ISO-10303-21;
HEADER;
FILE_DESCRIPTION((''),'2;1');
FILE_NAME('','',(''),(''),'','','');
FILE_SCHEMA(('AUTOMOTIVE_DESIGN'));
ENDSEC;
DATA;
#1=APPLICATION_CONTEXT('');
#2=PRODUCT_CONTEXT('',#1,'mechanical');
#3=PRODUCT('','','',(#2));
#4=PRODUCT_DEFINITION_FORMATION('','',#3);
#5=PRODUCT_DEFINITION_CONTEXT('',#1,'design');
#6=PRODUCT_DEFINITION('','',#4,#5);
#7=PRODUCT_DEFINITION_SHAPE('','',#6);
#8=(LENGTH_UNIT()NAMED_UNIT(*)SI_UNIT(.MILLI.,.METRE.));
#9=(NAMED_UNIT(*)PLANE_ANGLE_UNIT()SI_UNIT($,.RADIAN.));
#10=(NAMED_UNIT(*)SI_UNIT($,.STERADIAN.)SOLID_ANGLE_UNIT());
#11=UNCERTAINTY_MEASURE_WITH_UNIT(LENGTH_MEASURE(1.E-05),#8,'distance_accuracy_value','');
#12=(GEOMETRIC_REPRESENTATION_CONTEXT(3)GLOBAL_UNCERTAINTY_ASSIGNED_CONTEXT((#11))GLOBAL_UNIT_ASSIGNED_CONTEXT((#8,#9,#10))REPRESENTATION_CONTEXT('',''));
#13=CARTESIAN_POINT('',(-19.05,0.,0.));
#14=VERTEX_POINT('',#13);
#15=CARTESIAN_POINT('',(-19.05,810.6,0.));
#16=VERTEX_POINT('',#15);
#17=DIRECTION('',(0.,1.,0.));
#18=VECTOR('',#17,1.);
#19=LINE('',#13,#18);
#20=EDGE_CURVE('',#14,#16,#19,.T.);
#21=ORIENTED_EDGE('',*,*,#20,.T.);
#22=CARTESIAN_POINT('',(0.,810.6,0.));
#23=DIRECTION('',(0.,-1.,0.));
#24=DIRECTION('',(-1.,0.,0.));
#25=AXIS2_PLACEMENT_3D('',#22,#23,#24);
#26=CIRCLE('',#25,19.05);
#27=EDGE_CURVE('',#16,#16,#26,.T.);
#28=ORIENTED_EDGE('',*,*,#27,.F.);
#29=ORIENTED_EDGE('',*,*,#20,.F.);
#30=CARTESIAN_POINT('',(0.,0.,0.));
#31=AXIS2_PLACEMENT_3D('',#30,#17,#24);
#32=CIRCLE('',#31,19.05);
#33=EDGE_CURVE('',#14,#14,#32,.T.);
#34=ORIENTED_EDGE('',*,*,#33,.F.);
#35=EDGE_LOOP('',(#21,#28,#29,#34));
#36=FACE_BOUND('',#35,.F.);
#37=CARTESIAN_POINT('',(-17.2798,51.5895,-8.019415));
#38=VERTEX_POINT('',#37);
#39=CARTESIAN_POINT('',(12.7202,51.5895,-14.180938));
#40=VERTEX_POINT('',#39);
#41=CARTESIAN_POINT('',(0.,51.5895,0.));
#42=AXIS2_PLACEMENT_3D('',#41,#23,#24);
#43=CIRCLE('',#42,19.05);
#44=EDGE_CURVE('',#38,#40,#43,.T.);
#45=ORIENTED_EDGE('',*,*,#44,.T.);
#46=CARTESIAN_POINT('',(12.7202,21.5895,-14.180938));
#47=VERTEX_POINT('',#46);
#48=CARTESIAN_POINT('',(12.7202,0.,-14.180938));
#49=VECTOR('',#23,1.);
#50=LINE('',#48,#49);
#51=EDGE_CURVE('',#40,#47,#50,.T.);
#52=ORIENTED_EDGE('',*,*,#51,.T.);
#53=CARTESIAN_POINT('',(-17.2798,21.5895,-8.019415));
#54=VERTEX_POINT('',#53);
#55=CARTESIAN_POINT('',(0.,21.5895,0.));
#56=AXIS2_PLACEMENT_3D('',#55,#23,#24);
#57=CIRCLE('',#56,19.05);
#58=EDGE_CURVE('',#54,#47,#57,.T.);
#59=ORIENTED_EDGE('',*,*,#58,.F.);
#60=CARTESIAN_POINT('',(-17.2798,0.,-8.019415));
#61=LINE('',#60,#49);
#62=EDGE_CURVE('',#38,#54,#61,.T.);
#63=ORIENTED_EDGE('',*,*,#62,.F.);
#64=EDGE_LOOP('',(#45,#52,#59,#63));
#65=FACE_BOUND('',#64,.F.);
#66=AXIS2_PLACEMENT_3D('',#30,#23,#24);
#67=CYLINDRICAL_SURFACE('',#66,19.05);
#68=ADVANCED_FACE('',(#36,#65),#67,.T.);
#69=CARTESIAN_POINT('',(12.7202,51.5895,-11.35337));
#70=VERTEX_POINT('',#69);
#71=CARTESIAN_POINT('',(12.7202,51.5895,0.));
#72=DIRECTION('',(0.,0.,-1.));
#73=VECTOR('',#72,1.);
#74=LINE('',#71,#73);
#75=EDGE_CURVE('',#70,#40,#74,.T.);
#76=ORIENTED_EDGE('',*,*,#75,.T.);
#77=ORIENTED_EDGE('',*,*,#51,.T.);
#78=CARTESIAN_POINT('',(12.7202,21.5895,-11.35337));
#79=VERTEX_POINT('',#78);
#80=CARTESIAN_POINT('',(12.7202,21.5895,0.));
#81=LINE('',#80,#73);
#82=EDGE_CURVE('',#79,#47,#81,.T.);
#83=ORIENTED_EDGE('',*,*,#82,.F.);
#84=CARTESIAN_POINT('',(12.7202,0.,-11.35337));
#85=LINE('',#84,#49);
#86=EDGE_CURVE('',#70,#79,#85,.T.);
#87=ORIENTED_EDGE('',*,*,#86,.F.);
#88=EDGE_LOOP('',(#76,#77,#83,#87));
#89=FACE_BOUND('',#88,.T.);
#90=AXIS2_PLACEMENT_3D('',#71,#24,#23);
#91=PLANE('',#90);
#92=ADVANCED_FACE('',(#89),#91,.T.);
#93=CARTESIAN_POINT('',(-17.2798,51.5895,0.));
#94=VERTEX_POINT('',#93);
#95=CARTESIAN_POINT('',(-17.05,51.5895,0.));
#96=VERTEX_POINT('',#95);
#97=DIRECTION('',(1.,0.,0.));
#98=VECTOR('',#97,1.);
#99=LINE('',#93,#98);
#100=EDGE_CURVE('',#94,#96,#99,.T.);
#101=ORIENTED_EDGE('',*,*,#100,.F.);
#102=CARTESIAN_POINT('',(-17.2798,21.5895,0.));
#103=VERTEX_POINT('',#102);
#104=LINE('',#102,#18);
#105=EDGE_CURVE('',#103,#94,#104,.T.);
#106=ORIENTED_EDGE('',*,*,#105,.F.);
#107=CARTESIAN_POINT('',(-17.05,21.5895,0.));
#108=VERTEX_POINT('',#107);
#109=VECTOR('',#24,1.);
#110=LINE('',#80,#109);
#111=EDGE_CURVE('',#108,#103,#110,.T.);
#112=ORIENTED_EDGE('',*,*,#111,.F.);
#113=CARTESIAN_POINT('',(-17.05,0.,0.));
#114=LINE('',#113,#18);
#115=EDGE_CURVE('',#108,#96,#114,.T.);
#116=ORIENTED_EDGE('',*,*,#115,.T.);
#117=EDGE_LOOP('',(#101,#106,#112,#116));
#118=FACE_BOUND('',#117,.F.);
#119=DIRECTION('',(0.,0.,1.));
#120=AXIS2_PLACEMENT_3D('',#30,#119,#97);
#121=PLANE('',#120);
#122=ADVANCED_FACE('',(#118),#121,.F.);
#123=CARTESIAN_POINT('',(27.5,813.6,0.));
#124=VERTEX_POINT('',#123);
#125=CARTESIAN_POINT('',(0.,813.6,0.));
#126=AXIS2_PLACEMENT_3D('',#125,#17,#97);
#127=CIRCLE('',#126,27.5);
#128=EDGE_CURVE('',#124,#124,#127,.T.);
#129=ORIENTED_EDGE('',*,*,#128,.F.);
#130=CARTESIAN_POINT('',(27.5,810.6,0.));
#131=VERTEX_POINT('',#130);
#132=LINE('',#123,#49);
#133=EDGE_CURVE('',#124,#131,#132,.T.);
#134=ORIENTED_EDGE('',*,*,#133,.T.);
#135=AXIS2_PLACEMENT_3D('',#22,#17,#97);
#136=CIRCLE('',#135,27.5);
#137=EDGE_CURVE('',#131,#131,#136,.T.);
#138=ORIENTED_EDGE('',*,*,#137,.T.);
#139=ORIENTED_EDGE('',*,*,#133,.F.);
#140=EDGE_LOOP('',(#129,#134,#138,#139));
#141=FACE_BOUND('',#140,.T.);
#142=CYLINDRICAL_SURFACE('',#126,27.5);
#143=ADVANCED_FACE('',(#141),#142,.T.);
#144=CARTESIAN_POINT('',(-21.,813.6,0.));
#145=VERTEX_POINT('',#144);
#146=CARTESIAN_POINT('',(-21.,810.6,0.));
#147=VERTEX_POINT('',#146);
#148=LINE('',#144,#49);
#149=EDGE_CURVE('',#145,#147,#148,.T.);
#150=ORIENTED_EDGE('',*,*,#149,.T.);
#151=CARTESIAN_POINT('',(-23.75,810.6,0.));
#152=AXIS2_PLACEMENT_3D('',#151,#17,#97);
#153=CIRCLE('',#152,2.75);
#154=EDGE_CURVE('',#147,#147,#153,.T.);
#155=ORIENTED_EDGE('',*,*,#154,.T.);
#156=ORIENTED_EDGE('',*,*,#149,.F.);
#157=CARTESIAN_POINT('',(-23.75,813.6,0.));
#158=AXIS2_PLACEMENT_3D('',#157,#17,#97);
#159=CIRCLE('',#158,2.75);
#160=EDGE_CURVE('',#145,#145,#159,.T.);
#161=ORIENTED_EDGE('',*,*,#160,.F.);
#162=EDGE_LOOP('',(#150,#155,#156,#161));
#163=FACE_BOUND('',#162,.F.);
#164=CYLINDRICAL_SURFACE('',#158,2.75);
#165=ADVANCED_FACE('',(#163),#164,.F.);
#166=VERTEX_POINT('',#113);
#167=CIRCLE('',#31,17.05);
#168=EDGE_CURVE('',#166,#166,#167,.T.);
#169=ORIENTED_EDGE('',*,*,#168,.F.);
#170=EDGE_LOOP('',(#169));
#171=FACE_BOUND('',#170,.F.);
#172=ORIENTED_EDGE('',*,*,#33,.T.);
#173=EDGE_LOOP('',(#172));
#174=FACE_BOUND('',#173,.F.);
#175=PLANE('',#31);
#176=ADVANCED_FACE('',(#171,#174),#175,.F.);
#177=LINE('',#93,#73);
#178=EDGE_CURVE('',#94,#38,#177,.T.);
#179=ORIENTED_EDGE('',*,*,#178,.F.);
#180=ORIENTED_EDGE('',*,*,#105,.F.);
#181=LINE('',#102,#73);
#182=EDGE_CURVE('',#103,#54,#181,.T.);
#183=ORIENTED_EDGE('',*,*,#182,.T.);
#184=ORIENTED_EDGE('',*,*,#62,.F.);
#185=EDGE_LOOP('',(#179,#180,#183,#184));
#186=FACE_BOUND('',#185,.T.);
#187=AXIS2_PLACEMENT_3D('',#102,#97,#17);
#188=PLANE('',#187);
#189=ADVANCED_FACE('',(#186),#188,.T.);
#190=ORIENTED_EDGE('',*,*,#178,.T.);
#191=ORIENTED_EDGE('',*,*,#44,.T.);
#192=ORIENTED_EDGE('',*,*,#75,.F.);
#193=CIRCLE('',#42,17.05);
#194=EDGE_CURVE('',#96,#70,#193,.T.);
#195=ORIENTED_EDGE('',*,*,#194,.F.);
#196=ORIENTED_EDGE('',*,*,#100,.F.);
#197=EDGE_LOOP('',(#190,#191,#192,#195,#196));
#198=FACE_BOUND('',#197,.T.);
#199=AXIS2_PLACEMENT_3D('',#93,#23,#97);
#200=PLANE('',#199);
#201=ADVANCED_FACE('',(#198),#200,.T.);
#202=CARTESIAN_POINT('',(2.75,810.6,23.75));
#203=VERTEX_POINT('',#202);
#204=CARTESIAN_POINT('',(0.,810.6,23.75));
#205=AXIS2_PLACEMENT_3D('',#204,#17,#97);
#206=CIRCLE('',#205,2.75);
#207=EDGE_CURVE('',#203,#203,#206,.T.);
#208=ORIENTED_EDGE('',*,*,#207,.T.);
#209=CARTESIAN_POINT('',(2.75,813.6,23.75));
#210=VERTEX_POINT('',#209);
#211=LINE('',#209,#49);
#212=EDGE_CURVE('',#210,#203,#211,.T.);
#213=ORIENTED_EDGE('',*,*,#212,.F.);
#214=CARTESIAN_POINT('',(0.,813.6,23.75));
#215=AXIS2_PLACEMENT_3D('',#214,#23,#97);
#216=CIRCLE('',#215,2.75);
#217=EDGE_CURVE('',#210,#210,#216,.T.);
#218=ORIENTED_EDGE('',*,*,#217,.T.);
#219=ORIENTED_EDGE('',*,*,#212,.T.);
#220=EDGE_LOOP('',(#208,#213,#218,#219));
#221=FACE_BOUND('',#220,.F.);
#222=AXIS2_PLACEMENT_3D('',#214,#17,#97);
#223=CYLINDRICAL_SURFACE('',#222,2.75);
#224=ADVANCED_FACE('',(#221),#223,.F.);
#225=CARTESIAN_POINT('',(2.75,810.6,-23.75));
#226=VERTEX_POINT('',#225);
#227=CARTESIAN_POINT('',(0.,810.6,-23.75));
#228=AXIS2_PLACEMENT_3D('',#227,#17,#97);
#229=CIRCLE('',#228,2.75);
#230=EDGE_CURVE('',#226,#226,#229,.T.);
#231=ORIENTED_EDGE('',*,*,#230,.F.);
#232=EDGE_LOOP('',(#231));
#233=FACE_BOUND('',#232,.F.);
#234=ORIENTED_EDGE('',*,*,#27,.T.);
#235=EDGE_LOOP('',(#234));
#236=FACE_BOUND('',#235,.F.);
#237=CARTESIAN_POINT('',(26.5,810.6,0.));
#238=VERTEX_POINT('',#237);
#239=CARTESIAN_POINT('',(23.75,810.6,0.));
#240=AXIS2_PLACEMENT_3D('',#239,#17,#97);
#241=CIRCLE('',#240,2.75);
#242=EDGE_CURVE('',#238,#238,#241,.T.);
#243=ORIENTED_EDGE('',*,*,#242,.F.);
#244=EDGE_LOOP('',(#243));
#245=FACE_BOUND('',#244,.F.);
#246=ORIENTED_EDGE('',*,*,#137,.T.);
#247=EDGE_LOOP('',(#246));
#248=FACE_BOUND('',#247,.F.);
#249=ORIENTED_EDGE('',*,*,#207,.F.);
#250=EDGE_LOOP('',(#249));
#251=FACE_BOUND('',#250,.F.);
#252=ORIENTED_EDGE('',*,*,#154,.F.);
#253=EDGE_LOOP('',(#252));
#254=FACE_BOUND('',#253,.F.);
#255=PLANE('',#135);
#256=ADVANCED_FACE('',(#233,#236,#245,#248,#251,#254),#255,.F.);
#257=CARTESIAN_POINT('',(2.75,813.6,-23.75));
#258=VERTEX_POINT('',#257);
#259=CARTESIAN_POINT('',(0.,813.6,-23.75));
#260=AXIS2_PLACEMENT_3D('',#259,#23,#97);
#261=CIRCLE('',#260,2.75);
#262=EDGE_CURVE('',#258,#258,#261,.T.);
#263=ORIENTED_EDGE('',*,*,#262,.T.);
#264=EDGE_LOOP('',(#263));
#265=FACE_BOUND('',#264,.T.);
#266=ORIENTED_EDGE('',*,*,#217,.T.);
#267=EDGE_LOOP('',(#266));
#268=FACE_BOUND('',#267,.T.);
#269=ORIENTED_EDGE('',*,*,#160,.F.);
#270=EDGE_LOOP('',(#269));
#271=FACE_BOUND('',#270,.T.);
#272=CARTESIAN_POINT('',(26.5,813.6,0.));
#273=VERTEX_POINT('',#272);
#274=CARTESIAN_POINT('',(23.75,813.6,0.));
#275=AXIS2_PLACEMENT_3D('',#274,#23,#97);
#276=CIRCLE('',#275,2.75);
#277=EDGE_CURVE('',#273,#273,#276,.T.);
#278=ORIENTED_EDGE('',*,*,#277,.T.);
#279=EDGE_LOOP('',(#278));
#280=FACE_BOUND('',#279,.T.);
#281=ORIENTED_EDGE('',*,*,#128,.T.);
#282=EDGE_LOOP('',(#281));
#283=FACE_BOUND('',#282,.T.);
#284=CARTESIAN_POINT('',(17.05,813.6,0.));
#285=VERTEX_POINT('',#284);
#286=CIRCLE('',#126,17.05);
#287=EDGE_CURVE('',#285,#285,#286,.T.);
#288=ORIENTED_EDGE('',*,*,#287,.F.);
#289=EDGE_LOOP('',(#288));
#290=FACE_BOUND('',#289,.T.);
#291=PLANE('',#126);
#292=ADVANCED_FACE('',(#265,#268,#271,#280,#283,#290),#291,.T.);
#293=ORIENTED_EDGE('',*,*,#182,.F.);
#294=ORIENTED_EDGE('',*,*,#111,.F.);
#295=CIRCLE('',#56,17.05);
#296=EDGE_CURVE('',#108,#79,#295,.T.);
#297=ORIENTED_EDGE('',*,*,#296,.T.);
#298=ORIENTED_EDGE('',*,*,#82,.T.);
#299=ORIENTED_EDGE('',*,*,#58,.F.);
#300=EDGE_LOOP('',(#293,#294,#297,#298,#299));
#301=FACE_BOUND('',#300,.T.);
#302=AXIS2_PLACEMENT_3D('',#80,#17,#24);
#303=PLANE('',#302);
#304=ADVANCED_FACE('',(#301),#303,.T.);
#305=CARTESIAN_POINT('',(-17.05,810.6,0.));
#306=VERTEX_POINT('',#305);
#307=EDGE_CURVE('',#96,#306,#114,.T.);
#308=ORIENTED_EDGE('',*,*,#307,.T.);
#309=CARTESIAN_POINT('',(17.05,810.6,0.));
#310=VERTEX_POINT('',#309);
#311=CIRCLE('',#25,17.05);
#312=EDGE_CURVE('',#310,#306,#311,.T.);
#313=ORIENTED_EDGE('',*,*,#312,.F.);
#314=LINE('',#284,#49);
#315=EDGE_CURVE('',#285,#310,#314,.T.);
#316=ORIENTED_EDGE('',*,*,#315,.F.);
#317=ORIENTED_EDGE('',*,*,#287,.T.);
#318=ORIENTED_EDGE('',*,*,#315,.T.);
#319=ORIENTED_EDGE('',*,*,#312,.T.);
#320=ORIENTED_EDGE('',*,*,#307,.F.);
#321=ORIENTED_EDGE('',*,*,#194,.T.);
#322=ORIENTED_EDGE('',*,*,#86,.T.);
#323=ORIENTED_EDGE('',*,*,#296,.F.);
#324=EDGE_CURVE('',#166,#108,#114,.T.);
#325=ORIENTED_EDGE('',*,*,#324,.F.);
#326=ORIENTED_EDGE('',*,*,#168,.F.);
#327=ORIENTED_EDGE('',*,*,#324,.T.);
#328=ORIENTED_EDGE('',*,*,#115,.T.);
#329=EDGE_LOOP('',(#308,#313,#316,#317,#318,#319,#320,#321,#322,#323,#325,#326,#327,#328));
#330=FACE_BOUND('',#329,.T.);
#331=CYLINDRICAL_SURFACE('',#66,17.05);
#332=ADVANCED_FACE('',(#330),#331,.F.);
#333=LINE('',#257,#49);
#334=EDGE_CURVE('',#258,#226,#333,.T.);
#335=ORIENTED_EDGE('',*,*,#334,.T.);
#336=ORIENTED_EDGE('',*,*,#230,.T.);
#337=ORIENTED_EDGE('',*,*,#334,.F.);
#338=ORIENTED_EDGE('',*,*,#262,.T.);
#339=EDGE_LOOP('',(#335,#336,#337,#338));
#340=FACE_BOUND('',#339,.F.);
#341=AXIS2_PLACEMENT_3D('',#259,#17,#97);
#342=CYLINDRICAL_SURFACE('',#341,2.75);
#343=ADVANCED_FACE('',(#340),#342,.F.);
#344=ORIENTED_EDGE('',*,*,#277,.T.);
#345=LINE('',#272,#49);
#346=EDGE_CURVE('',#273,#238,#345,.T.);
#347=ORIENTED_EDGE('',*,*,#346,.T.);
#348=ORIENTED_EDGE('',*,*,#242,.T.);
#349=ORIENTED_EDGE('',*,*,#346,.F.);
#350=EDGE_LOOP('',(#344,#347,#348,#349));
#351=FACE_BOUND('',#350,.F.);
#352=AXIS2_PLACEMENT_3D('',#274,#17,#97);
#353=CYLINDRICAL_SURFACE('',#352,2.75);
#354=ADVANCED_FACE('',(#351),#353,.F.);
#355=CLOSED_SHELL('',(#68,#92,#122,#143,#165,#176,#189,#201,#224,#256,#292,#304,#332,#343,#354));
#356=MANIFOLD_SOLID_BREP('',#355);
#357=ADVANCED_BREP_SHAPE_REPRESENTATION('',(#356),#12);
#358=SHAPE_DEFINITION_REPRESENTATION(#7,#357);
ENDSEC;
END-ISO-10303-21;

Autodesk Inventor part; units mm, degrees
ref_plane "YZ Plane" through (0, 0, 0) normal (1, 0, 0) x (0, 1, 0)
ref_plane "XZ Plane" through (0, 0, 0) normal (0, 1, 0) x (-1, 0, 0)
ref_plane "XY Plane" through (0, 0, 0) normal (0, 0, 1) x (1, 0, 0)
sketch "Boceto1" plane through (0, 0, 0) normal (0, 1, 0) x (-1, 0, 0)
  circle A0 centre (0, 0) radius 17.05
  circle A1 centre (0, 0) radius 19.05
  dimension "d0" = 34.1
  dimension "d1" = 38.1
extrude "Extrusión1" add sketch "Boceto1" along normal blind 813.6
sketch "Boceto2" plane through (0, 0, 0) normal (0, 0, 1) x (1, 0, 0)
  line L0 (0, 0) -> (-263.1264, 0)
  line L1 (-263.1264, 0) -> (-263.1264, 271)
  line L2 (-263.1264, 135.5) -> (-17.2798, 135.5)
  line L3 (-19.05, 0) -> (-19.05, 813.6) projected
  line L4 (-17.2798, 135.5) -> (-17.2798, 51.5895)
  line L5 (-17.2798, 51.5895) -> (12.7202, 51.5895)
  line L6 (12.7202, 51.5895) -> (12.7202, 21.5895)
  line L7 (12.7202, 21.5895) -> (-17.2798, 21.5895)
  line L8 (-17.2798, 21.5895) -> (-17.2798, 51.5895)
  dimension "d4" = 271
  dimension "d5" = 30
  dimension "d6" = 30
extrude "Extrusión2" cut sketch "Boceto2" against normal blind 813.6 contours L5 L6 L7 L8
sketch "Boceto3" plane through (0, 813.6, 0) normal (0, 1, 0) x (1, 0, 0)
  circle A0 centre (0, 0) radius 27.5
  circle A1 centre (0, 0) radius 19.05
  dimension "d9" = 55
extrude "Extrusión3" add sketch "Boceto3" against normal blind 3 contours A0 | A1
sketch "Boceto4" plane through (0, 813.6, 0) normal (0, 1, 0) x (1, 0, 0)
  circle A0 centre (0, 0) radius 17.05 projected
  circle A1 centre (0, 0) radius 27.5 projected
  line L0 (0, 0) -> (0, 23.75)
  line L1 (0, 0) -> (23.75, 0)
  line L2 (0, 0) -> (0, -23.75)
  line L3 (0, 0) -> (-23.75, 0)
  circle A2 centre (0, 23.75) radius 2.75
  circle A3 centre (23.75, 0) radius 2.75
  circle A4 centre (0, -23.75) radius 2.75
  circle A5 centre (-23.75, 0) radius 2.75
  dimension "d22" = 23.75
  dimension "d23" = 23.75
  dimension "d24" = 23.75
  dimension "d25" = 23.75
  dimension "d26" = 5.5
  dimension "d27" = 5.5
  dimension "d28" = 5.5
  dimension "d29" = 5.5
extrude "Extrusión4" cut sketch "Boceto4" against normal blind 5.5 contours A4 | A5 | A2 | A3
sketch "Boceto5" plane through (0, 813.6, 0) normal (0, 1, 0) x (1, 0, 0)
  circle A0 centre (0, 0) radius 17.05
  dimension "d19" = 34.1
extrude "Extrusión5" cut sketch "Boceto5" against normal blind 3
equation "\"d17\" = d27"
properties part number "tubo cubierta tornillo"
